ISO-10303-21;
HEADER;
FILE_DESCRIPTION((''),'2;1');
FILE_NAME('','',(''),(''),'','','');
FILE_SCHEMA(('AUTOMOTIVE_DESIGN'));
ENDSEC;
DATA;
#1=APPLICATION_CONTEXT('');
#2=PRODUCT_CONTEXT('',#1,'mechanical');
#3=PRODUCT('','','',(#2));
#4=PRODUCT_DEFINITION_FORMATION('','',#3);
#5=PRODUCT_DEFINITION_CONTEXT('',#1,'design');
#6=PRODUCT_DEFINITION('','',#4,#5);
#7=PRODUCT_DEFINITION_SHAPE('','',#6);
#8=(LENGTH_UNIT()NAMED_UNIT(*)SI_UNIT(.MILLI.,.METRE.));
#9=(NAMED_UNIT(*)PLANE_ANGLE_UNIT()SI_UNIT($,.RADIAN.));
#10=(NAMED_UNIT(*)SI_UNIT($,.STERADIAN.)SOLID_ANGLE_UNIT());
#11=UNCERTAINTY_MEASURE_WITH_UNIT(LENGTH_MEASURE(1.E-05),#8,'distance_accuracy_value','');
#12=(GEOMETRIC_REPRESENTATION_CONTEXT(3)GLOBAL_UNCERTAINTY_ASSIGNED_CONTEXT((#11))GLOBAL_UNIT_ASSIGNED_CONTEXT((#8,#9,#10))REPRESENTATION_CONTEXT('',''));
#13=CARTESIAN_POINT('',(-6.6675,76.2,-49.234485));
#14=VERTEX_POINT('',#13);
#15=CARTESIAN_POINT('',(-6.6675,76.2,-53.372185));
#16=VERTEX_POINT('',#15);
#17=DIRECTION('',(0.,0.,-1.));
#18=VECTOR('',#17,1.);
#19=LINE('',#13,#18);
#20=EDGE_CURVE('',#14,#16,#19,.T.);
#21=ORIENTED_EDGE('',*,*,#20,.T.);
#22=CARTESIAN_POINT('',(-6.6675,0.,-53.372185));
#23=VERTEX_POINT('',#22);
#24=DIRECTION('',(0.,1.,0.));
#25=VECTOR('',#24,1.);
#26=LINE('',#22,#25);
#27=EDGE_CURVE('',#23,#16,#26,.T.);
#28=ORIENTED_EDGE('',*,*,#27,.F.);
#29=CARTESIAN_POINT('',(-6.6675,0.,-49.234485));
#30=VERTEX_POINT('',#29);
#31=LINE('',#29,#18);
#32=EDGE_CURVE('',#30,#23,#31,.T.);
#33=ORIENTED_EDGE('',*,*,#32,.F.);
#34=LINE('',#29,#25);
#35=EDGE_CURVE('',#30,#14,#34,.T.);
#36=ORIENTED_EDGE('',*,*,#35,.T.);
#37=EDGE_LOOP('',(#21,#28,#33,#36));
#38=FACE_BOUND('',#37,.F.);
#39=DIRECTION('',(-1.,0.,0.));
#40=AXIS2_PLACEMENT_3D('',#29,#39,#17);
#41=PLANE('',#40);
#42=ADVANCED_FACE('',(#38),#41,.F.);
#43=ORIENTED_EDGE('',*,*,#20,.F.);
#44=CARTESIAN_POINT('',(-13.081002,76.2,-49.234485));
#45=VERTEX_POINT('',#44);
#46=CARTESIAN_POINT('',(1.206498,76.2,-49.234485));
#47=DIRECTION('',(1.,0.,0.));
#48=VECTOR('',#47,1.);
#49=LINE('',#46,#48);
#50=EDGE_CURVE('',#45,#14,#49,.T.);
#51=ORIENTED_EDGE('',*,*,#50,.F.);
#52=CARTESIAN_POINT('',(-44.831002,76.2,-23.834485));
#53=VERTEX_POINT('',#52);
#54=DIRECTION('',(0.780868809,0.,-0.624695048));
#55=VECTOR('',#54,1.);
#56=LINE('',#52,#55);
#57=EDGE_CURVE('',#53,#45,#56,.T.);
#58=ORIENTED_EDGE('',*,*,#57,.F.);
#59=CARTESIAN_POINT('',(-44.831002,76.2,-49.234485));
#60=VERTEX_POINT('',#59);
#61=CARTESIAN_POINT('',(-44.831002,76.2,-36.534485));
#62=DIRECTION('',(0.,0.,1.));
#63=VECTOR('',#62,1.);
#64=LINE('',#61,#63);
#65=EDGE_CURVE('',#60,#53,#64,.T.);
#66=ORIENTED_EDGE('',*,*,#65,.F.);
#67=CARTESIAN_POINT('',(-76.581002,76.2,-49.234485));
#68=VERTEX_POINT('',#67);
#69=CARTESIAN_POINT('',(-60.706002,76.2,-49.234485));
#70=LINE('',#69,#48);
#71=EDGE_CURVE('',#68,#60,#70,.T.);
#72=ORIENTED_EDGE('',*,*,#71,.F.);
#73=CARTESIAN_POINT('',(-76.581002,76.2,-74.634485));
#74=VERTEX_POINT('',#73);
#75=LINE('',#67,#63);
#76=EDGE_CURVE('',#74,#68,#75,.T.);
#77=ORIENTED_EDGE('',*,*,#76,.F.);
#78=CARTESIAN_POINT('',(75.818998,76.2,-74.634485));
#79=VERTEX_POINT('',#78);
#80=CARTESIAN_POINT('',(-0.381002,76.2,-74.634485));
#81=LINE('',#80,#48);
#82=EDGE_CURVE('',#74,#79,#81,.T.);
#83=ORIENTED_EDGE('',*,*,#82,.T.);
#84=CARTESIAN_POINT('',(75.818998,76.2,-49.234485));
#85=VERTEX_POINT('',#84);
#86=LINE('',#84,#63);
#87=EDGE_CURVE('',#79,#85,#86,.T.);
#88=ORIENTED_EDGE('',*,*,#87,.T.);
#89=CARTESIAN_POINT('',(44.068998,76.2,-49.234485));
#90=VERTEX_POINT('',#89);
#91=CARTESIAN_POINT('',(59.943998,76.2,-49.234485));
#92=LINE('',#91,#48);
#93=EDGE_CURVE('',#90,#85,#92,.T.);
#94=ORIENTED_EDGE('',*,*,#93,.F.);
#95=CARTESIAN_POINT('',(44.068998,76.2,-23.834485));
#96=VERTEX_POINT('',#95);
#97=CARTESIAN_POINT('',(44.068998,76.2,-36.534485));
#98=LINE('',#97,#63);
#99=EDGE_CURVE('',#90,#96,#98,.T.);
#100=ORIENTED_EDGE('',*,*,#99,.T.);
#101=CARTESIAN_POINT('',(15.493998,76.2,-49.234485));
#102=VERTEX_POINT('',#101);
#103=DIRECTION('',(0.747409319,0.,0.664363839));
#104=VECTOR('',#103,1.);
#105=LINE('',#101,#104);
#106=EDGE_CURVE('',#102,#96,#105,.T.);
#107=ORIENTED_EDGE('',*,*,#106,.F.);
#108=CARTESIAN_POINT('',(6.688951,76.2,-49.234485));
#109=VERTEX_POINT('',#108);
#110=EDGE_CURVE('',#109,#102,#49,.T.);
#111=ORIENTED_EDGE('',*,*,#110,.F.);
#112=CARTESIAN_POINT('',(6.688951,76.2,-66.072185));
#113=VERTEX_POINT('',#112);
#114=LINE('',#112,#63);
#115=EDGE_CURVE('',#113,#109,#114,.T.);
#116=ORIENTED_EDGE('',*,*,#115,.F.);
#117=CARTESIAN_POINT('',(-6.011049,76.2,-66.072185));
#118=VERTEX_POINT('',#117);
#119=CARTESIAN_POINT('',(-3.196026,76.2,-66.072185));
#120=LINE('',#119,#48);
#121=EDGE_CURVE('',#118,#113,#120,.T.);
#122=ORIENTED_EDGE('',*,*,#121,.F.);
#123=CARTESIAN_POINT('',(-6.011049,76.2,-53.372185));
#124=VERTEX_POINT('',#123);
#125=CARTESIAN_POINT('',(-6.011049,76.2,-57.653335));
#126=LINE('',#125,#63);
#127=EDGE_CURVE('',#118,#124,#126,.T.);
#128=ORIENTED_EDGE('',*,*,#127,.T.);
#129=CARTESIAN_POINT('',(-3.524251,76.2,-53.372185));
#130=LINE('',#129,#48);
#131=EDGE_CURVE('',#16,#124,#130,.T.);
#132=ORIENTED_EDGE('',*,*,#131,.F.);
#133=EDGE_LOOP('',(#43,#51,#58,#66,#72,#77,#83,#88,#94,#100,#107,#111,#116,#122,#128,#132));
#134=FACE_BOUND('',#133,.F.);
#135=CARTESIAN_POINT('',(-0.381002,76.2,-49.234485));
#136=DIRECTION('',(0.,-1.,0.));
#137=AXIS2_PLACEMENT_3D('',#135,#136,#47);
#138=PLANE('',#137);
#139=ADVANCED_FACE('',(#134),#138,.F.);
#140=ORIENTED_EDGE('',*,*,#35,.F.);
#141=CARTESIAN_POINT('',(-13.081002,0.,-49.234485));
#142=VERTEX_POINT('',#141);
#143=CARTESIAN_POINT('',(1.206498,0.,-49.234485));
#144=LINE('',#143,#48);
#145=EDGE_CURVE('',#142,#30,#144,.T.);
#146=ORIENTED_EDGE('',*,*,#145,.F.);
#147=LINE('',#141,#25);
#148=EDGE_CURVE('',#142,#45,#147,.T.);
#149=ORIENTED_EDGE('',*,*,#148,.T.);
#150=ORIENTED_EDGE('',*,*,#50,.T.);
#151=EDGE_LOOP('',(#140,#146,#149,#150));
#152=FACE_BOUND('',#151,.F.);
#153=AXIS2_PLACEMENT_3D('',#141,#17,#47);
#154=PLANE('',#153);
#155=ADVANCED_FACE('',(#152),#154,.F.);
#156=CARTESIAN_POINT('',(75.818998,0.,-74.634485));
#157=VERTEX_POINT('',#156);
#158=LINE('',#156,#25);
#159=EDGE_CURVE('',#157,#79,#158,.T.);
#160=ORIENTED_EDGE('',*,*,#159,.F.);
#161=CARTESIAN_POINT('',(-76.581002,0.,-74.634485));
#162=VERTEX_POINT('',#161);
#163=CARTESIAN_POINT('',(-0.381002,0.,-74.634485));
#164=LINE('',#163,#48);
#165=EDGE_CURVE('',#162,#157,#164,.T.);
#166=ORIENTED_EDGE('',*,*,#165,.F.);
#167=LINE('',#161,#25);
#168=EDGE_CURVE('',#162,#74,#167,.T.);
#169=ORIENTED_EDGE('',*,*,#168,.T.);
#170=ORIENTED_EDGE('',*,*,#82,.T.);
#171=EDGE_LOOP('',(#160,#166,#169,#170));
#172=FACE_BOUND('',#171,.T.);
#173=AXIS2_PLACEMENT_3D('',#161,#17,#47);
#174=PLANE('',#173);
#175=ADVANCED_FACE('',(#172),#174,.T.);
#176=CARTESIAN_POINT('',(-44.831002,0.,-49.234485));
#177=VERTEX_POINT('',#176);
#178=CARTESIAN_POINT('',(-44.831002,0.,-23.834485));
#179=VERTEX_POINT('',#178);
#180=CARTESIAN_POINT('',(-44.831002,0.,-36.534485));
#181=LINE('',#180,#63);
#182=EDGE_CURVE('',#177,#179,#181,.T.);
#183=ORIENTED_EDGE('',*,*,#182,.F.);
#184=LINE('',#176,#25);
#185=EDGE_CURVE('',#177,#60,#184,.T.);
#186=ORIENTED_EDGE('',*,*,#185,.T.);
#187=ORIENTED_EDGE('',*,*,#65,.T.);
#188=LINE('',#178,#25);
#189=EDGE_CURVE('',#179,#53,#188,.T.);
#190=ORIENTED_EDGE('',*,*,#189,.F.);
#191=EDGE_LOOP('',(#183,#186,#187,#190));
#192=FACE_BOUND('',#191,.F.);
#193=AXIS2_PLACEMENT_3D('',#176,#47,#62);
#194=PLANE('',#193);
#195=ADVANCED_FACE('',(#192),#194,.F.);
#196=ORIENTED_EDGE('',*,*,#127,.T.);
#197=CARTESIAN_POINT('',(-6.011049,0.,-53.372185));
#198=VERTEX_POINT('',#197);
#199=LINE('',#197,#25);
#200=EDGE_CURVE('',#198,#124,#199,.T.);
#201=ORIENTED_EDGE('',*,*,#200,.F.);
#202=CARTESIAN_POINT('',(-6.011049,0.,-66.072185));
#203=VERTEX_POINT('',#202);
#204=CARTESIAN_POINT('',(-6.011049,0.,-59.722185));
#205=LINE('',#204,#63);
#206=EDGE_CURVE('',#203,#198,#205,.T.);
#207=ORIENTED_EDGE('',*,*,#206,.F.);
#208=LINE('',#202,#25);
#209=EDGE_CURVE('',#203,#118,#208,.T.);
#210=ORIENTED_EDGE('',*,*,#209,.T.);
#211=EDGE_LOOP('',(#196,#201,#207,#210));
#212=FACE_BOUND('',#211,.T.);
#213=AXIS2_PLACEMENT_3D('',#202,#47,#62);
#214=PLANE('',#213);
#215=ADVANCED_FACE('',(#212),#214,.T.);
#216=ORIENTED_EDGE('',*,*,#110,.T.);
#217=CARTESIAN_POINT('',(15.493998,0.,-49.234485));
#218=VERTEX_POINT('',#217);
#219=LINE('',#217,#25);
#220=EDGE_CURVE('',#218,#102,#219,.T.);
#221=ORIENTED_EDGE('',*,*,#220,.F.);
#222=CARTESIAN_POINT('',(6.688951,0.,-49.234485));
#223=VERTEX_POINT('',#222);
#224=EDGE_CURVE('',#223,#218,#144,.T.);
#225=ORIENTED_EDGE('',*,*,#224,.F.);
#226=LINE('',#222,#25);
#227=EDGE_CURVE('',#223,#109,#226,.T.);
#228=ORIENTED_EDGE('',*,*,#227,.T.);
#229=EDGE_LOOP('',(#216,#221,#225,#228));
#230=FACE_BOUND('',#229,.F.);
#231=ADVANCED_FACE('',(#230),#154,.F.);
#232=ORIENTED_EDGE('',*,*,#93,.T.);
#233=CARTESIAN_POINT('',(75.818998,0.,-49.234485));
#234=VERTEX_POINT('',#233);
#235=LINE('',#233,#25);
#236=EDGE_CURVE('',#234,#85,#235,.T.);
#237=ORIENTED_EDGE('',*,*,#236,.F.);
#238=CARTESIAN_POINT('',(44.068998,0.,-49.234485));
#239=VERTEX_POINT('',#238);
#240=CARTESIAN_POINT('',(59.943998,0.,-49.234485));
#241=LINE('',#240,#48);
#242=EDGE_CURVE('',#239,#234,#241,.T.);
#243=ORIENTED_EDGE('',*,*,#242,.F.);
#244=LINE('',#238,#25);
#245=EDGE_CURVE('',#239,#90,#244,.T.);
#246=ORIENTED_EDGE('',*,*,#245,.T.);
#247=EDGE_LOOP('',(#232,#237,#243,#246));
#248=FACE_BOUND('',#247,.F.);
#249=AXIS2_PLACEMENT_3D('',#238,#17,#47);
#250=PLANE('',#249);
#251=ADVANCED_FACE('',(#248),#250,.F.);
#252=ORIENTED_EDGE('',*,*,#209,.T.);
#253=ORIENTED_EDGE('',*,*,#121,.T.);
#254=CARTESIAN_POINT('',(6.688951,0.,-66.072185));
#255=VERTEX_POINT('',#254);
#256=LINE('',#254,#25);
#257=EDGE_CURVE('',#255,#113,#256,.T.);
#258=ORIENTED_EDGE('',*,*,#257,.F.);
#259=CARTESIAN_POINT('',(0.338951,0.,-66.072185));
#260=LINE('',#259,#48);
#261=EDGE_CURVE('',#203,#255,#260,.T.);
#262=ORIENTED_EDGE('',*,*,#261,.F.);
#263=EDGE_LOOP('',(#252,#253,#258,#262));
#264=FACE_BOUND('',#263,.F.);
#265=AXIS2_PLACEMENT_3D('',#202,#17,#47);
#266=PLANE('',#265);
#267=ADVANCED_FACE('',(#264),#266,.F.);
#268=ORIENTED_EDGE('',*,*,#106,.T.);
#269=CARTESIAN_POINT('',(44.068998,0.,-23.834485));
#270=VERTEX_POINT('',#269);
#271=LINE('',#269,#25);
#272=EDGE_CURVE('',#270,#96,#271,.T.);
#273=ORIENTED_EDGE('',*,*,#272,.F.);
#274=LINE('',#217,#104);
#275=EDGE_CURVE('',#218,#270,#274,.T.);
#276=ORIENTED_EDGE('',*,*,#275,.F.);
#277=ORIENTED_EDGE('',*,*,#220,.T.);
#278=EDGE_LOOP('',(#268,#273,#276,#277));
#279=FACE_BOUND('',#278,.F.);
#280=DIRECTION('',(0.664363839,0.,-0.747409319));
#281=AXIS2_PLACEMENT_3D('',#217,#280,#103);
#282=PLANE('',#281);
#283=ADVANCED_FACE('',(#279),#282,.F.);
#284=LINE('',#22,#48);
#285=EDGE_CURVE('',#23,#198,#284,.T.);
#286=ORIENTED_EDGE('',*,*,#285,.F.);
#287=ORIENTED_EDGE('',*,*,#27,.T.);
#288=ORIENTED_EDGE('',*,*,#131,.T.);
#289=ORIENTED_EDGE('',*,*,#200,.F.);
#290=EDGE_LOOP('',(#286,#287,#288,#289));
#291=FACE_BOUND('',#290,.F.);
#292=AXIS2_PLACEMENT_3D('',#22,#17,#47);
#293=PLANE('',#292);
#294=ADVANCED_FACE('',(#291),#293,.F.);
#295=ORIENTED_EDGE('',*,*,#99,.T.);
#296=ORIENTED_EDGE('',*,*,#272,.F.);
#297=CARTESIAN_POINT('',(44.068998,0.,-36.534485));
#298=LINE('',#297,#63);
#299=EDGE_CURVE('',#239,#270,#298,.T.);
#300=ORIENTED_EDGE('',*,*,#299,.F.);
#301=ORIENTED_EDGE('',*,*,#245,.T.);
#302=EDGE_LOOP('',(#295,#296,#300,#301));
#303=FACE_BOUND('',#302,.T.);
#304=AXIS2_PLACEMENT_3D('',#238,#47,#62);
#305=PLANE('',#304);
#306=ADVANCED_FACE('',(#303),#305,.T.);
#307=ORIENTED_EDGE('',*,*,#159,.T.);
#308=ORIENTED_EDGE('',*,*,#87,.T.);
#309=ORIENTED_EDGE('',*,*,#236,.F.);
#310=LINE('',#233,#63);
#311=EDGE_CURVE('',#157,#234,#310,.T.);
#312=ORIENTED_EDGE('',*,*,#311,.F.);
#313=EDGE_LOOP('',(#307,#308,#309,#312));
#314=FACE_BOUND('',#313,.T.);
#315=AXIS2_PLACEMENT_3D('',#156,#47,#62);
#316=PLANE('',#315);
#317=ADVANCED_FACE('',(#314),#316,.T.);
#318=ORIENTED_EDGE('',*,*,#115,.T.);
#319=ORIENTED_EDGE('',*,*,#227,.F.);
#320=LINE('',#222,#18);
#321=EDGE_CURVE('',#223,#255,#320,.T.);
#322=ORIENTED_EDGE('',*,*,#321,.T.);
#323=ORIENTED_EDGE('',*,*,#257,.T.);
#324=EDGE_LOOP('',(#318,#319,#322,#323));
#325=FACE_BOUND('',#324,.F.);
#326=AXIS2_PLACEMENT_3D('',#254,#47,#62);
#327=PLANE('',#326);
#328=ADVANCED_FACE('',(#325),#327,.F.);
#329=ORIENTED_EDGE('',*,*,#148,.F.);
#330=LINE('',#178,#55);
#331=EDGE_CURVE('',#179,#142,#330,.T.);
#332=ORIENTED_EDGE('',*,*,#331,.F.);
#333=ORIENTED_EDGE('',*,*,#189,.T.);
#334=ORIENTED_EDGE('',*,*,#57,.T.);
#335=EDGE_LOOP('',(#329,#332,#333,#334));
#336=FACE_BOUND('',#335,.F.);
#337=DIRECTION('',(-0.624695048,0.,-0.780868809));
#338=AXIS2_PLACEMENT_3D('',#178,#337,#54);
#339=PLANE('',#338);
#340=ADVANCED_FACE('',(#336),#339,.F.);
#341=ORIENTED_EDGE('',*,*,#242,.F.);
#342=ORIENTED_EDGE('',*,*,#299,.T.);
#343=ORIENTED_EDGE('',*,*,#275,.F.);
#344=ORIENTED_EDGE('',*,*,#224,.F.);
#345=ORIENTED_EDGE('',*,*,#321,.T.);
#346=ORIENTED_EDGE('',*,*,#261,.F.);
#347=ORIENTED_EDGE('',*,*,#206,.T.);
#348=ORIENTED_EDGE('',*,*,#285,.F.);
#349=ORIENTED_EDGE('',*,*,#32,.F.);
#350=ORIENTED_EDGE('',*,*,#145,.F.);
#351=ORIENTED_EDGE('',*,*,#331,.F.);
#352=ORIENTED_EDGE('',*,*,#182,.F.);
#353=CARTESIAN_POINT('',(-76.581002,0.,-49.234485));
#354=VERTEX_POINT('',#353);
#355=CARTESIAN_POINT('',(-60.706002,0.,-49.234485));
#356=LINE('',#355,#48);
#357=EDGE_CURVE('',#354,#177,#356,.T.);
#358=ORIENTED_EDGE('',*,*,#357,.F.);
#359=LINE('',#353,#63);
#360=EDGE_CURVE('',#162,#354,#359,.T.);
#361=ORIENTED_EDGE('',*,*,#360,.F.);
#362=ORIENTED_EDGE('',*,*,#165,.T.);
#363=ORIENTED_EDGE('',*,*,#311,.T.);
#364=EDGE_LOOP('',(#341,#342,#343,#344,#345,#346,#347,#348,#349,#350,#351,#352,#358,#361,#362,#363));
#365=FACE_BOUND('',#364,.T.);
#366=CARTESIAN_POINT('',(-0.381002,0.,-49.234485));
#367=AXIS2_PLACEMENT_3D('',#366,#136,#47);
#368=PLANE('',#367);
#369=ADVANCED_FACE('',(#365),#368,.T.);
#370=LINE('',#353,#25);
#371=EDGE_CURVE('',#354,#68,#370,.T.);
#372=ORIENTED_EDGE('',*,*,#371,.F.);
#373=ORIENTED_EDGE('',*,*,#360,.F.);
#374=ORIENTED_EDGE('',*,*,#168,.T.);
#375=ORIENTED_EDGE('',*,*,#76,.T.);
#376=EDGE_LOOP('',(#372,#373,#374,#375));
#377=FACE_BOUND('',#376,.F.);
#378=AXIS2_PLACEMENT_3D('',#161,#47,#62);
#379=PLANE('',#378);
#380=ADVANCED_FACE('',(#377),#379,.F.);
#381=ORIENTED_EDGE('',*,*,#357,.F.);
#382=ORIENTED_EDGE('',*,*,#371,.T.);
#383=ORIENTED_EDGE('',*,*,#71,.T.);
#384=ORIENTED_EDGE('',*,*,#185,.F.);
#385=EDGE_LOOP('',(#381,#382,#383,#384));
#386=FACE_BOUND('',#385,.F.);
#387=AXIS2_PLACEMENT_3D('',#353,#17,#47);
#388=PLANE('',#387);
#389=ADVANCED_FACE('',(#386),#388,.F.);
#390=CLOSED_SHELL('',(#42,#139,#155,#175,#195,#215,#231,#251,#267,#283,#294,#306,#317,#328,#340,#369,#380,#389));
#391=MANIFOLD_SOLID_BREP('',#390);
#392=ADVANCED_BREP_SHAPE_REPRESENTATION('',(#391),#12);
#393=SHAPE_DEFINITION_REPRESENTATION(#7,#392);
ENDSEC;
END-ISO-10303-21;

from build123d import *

# Parameters (mm, degrees)
F0_W      = 152.4
F0_H      = 50.8
F1_DEPTH  = 76.2
F2_W      = 31.75
F2_H      = 25.4
F3_DEPTH  = 76.2
F4_W      = 31.75
F4_H      = 25.4
F5_DEPTH  = 76.2
F7_DEPTH  = 76.2
F9_DEPTH  = 76.2
F10_W     = 28.575
F10_H     = 25.4
F11_DEPTH = 76.2
F12_W     = 12.7
F12_H     = 12.7
F13_DEPTH = 101.6
F15_DEPTH = 101.6


with BuildPart() as f1:
    # F0 (on Front) → F1 (new body)
    with BuildSketch(Plane.XZ):
        with Locations((-0.381002, -49.234485)):
            Rectangle(F0_W, F0_H)
    extrude(amount=-F1_DEPTH)

    # F2 (on face) → F3 (cut)
    with BuildSketch(Plane.XZ):
        with Locations((-60.706002, -36.534485)):
            Rectangle(F2_W, F2_H)
    extrude(amount=-F3_DEPTH, mode=Mode.SUBTRACT)

    # F4 (on face) → F5 (cut)
    with BuildSketch(Plane.XZ):
        with Locations((59.943998, -36.534485)):
            Rectangle(F4_W, F4_H)
    extrude(amount=-F5_DEPTH, mode=Mode.SUBTRACT)

    # F6 (on face) → F7 (cut)
    with BuildSketch(Plane.XZ):
        Polygon((-13.081002, -23.834485), (-44.831002, -23.834485), (-13.081002, -49.234485), align=None)
    extrude(amount=-F7_DEPTH, mode=Mode.SUBTRACT)

    # F8 (on face) → F9 (cut)
    with BuildSketch(Plane.XZ):
        Polygon((44.068998, -23.834485), (15.493998, -23.834485), (15.493998, -49.234485), align=None)
    extrude(amount=-F9_DEPTH, mode=Mode.SUBTRACT)

    # F10 (on face) → F11 (cut)
    with BuildSketch(Plane.XZ):
        with Locations((1.206498, -36.534485)):
            Rectangle(F10_W, F10_H)
    extrude(amount=-F11_DEPTH, mode=Mode.SUBTRACT)

    # F12 (on face) → F13 (cut)
    with BuildSketch(Plane.XZ):
        with Locations((0.338951, -59.722185)):
            Rectangle(F12_W, F12_H)
    extrude(amount=-F13_DEPTH, mode=Mode.SUBTRACT)

    # F14 (on face) → F15 (cut)
    with BuildSketch(Plane.XZ):
        Polygon((6.688951, -49.234485), (-6.6675, -49.234485), (-6.6675, -53.372185), (-6.011049, -53.372185), (6.688951, -53.372185), align=None)
    extrude(amount=-F15_DEPTH, mode=Mode.SUBTRACT)


solid = f1.part
